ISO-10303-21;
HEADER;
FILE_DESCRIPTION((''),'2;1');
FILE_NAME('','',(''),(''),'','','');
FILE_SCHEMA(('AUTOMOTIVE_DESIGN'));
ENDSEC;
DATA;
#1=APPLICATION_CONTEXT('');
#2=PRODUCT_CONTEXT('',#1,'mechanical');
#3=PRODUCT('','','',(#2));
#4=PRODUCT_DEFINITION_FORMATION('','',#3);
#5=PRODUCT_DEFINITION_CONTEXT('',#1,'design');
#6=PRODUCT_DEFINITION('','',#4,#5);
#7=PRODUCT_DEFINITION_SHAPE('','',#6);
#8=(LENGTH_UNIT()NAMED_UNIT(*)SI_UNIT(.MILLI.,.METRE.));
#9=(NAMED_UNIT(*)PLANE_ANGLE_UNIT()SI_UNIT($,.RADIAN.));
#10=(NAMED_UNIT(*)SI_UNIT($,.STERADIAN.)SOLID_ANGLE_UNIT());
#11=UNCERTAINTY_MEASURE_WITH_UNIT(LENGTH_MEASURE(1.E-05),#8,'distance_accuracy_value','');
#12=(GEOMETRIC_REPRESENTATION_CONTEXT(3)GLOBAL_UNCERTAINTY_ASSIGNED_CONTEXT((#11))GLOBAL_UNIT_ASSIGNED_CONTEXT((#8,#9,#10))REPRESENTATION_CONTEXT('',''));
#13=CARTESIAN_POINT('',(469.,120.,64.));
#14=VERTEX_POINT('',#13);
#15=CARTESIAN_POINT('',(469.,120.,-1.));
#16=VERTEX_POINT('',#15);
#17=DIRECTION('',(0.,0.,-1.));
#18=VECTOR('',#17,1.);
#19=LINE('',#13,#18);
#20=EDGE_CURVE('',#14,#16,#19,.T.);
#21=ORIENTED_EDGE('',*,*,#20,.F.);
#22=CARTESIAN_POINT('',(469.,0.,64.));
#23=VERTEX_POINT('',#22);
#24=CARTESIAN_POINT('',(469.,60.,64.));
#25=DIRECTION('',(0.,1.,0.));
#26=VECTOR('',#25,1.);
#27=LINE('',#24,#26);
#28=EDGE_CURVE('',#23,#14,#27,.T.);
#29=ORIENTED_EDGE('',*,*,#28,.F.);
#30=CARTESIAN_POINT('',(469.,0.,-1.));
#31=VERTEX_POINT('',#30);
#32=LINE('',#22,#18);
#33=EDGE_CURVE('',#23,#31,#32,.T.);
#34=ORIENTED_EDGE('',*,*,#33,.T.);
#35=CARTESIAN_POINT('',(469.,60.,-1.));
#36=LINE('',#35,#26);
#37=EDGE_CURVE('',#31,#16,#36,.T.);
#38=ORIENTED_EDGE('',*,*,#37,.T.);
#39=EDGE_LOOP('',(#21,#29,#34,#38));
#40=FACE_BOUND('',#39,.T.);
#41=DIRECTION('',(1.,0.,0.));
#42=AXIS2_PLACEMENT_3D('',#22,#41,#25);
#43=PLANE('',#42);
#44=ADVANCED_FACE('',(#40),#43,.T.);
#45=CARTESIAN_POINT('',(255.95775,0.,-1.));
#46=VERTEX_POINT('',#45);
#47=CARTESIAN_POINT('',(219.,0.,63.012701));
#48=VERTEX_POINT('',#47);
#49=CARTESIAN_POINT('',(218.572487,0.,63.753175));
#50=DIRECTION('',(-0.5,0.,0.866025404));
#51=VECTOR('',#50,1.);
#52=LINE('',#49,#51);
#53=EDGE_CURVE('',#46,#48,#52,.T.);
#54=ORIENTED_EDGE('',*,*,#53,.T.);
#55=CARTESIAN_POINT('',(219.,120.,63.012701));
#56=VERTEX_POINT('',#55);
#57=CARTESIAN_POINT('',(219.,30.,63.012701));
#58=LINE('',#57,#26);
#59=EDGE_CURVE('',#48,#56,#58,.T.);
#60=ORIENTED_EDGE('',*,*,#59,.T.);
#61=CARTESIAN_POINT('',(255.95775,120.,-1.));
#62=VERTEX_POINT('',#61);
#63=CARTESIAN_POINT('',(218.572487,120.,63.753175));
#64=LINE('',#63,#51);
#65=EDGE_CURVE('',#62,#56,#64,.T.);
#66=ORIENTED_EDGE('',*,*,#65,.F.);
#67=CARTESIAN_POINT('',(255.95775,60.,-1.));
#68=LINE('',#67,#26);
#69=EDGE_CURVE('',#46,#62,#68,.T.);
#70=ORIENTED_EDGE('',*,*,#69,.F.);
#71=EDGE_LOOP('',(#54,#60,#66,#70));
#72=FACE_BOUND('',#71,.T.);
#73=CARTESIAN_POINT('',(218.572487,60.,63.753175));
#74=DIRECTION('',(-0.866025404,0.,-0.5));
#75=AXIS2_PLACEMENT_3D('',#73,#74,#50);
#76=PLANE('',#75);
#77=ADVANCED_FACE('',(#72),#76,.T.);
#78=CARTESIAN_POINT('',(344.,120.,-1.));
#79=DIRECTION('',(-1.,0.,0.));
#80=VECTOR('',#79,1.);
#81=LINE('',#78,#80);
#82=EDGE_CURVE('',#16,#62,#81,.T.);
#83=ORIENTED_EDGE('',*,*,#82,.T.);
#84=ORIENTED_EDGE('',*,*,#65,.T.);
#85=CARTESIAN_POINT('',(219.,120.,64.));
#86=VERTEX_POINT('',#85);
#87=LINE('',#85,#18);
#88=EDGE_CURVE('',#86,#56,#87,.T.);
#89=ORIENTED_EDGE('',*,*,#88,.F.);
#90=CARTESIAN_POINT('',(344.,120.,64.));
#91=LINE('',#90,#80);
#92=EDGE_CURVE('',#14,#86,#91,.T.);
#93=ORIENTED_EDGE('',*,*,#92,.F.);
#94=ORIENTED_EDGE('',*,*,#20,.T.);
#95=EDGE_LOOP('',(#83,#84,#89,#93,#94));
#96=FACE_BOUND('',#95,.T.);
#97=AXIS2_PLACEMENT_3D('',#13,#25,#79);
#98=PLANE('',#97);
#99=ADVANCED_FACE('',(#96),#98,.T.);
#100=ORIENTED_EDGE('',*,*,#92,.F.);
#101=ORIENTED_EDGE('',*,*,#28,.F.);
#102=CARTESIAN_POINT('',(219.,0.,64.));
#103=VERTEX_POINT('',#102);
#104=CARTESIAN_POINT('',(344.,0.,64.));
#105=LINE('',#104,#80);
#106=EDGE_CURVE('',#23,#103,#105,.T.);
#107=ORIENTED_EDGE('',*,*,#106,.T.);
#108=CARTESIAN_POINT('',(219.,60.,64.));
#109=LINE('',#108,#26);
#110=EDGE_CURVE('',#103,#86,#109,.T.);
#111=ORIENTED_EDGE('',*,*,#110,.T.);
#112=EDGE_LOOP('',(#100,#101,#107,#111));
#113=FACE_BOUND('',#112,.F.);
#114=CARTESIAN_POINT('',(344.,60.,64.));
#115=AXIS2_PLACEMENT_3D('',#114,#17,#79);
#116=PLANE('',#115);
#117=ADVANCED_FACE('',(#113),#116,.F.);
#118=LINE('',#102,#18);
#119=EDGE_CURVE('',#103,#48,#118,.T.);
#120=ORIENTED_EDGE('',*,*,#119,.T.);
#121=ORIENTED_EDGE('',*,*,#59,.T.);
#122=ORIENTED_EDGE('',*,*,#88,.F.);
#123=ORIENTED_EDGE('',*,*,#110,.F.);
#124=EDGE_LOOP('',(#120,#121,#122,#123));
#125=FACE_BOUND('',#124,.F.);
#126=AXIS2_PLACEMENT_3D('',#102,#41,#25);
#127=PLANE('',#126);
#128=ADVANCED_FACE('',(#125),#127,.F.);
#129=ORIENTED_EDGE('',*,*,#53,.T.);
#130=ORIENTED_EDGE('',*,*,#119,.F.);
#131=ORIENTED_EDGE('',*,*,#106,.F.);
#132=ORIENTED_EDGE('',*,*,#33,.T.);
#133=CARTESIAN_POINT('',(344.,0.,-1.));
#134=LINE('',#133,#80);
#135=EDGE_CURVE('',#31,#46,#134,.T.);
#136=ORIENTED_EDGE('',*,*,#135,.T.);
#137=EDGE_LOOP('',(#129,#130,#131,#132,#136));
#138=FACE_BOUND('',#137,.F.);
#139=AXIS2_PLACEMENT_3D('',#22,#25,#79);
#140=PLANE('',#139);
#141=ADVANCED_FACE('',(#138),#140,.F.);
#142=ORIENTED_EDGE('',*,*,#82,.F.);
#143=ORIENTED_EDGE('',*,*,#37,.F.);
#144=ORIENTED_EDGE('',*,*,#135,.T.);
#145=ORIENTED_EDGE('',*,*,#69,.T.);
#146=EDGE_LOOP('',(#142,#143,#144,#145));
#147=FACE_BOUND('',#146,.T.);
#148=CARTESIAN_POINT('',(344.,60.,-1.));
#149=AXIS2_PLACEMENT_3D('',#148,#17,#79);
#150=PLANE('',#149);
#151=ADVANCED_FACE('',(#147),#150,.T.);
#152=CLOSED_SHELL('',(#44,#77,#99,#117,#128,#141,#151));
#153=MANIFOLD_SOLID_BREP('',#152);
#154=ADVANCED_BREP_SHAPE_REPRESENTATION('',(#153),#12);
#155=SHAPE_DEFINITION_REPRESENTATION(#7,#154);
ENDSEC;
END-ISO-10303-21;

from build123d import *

# Parameters (mm, degrees)
BOX016_W               = 250
BOX016_H               = 120
BOX016_DEPTH           = 65
BOX016_PLACEMENT_ANGLE = 60
BOX017_W               = 250
BOX017_H               = 120
BOX017_DEPTH           = 65
CUT009_PLACEMENT_ANGLE = 180


with BuildPart() as box016:
    # Box016 → Box016 (new body)
    with BuildSketch(Plane.XY):
        with Locations((125, 60)):
            Rectangle(BOX016_W, BOX016_H)
    extrude(amount=BOX016_DEPTH)


with BuildPart() as box016_1:
    # Box016 placement: moved
    add(box016.part.moved(Location((187.927513, 0, 108.5))).rotate(Axis((187.927513, 0, 108.5), (0, 1, 0)), BOX016_PLACEMENT_ANGLE))


with BuildPart() as cut009:
    # Box017 → Box017 (new body)
    with BuildSketch(Plane.XY):
        with Locations((125, 60)):
            Rectangle(BOX017_W, BOX017_H)
    extrude(amount=BOX017_DEPTH)

    # Cut009: cut Box016
    add(box016_1.part, mode=Mode.SUBTRACT)


with BuildPart() as cut009_1:
    # Cut009 placement: moved
    add(cut009.part.moved(Location((469, 0, 64))).rotate(Axis((469, 0, 64), (0, 1, 0)), CUT009_PLACEMENT_ANGLE))


solid = cut009_1.part
